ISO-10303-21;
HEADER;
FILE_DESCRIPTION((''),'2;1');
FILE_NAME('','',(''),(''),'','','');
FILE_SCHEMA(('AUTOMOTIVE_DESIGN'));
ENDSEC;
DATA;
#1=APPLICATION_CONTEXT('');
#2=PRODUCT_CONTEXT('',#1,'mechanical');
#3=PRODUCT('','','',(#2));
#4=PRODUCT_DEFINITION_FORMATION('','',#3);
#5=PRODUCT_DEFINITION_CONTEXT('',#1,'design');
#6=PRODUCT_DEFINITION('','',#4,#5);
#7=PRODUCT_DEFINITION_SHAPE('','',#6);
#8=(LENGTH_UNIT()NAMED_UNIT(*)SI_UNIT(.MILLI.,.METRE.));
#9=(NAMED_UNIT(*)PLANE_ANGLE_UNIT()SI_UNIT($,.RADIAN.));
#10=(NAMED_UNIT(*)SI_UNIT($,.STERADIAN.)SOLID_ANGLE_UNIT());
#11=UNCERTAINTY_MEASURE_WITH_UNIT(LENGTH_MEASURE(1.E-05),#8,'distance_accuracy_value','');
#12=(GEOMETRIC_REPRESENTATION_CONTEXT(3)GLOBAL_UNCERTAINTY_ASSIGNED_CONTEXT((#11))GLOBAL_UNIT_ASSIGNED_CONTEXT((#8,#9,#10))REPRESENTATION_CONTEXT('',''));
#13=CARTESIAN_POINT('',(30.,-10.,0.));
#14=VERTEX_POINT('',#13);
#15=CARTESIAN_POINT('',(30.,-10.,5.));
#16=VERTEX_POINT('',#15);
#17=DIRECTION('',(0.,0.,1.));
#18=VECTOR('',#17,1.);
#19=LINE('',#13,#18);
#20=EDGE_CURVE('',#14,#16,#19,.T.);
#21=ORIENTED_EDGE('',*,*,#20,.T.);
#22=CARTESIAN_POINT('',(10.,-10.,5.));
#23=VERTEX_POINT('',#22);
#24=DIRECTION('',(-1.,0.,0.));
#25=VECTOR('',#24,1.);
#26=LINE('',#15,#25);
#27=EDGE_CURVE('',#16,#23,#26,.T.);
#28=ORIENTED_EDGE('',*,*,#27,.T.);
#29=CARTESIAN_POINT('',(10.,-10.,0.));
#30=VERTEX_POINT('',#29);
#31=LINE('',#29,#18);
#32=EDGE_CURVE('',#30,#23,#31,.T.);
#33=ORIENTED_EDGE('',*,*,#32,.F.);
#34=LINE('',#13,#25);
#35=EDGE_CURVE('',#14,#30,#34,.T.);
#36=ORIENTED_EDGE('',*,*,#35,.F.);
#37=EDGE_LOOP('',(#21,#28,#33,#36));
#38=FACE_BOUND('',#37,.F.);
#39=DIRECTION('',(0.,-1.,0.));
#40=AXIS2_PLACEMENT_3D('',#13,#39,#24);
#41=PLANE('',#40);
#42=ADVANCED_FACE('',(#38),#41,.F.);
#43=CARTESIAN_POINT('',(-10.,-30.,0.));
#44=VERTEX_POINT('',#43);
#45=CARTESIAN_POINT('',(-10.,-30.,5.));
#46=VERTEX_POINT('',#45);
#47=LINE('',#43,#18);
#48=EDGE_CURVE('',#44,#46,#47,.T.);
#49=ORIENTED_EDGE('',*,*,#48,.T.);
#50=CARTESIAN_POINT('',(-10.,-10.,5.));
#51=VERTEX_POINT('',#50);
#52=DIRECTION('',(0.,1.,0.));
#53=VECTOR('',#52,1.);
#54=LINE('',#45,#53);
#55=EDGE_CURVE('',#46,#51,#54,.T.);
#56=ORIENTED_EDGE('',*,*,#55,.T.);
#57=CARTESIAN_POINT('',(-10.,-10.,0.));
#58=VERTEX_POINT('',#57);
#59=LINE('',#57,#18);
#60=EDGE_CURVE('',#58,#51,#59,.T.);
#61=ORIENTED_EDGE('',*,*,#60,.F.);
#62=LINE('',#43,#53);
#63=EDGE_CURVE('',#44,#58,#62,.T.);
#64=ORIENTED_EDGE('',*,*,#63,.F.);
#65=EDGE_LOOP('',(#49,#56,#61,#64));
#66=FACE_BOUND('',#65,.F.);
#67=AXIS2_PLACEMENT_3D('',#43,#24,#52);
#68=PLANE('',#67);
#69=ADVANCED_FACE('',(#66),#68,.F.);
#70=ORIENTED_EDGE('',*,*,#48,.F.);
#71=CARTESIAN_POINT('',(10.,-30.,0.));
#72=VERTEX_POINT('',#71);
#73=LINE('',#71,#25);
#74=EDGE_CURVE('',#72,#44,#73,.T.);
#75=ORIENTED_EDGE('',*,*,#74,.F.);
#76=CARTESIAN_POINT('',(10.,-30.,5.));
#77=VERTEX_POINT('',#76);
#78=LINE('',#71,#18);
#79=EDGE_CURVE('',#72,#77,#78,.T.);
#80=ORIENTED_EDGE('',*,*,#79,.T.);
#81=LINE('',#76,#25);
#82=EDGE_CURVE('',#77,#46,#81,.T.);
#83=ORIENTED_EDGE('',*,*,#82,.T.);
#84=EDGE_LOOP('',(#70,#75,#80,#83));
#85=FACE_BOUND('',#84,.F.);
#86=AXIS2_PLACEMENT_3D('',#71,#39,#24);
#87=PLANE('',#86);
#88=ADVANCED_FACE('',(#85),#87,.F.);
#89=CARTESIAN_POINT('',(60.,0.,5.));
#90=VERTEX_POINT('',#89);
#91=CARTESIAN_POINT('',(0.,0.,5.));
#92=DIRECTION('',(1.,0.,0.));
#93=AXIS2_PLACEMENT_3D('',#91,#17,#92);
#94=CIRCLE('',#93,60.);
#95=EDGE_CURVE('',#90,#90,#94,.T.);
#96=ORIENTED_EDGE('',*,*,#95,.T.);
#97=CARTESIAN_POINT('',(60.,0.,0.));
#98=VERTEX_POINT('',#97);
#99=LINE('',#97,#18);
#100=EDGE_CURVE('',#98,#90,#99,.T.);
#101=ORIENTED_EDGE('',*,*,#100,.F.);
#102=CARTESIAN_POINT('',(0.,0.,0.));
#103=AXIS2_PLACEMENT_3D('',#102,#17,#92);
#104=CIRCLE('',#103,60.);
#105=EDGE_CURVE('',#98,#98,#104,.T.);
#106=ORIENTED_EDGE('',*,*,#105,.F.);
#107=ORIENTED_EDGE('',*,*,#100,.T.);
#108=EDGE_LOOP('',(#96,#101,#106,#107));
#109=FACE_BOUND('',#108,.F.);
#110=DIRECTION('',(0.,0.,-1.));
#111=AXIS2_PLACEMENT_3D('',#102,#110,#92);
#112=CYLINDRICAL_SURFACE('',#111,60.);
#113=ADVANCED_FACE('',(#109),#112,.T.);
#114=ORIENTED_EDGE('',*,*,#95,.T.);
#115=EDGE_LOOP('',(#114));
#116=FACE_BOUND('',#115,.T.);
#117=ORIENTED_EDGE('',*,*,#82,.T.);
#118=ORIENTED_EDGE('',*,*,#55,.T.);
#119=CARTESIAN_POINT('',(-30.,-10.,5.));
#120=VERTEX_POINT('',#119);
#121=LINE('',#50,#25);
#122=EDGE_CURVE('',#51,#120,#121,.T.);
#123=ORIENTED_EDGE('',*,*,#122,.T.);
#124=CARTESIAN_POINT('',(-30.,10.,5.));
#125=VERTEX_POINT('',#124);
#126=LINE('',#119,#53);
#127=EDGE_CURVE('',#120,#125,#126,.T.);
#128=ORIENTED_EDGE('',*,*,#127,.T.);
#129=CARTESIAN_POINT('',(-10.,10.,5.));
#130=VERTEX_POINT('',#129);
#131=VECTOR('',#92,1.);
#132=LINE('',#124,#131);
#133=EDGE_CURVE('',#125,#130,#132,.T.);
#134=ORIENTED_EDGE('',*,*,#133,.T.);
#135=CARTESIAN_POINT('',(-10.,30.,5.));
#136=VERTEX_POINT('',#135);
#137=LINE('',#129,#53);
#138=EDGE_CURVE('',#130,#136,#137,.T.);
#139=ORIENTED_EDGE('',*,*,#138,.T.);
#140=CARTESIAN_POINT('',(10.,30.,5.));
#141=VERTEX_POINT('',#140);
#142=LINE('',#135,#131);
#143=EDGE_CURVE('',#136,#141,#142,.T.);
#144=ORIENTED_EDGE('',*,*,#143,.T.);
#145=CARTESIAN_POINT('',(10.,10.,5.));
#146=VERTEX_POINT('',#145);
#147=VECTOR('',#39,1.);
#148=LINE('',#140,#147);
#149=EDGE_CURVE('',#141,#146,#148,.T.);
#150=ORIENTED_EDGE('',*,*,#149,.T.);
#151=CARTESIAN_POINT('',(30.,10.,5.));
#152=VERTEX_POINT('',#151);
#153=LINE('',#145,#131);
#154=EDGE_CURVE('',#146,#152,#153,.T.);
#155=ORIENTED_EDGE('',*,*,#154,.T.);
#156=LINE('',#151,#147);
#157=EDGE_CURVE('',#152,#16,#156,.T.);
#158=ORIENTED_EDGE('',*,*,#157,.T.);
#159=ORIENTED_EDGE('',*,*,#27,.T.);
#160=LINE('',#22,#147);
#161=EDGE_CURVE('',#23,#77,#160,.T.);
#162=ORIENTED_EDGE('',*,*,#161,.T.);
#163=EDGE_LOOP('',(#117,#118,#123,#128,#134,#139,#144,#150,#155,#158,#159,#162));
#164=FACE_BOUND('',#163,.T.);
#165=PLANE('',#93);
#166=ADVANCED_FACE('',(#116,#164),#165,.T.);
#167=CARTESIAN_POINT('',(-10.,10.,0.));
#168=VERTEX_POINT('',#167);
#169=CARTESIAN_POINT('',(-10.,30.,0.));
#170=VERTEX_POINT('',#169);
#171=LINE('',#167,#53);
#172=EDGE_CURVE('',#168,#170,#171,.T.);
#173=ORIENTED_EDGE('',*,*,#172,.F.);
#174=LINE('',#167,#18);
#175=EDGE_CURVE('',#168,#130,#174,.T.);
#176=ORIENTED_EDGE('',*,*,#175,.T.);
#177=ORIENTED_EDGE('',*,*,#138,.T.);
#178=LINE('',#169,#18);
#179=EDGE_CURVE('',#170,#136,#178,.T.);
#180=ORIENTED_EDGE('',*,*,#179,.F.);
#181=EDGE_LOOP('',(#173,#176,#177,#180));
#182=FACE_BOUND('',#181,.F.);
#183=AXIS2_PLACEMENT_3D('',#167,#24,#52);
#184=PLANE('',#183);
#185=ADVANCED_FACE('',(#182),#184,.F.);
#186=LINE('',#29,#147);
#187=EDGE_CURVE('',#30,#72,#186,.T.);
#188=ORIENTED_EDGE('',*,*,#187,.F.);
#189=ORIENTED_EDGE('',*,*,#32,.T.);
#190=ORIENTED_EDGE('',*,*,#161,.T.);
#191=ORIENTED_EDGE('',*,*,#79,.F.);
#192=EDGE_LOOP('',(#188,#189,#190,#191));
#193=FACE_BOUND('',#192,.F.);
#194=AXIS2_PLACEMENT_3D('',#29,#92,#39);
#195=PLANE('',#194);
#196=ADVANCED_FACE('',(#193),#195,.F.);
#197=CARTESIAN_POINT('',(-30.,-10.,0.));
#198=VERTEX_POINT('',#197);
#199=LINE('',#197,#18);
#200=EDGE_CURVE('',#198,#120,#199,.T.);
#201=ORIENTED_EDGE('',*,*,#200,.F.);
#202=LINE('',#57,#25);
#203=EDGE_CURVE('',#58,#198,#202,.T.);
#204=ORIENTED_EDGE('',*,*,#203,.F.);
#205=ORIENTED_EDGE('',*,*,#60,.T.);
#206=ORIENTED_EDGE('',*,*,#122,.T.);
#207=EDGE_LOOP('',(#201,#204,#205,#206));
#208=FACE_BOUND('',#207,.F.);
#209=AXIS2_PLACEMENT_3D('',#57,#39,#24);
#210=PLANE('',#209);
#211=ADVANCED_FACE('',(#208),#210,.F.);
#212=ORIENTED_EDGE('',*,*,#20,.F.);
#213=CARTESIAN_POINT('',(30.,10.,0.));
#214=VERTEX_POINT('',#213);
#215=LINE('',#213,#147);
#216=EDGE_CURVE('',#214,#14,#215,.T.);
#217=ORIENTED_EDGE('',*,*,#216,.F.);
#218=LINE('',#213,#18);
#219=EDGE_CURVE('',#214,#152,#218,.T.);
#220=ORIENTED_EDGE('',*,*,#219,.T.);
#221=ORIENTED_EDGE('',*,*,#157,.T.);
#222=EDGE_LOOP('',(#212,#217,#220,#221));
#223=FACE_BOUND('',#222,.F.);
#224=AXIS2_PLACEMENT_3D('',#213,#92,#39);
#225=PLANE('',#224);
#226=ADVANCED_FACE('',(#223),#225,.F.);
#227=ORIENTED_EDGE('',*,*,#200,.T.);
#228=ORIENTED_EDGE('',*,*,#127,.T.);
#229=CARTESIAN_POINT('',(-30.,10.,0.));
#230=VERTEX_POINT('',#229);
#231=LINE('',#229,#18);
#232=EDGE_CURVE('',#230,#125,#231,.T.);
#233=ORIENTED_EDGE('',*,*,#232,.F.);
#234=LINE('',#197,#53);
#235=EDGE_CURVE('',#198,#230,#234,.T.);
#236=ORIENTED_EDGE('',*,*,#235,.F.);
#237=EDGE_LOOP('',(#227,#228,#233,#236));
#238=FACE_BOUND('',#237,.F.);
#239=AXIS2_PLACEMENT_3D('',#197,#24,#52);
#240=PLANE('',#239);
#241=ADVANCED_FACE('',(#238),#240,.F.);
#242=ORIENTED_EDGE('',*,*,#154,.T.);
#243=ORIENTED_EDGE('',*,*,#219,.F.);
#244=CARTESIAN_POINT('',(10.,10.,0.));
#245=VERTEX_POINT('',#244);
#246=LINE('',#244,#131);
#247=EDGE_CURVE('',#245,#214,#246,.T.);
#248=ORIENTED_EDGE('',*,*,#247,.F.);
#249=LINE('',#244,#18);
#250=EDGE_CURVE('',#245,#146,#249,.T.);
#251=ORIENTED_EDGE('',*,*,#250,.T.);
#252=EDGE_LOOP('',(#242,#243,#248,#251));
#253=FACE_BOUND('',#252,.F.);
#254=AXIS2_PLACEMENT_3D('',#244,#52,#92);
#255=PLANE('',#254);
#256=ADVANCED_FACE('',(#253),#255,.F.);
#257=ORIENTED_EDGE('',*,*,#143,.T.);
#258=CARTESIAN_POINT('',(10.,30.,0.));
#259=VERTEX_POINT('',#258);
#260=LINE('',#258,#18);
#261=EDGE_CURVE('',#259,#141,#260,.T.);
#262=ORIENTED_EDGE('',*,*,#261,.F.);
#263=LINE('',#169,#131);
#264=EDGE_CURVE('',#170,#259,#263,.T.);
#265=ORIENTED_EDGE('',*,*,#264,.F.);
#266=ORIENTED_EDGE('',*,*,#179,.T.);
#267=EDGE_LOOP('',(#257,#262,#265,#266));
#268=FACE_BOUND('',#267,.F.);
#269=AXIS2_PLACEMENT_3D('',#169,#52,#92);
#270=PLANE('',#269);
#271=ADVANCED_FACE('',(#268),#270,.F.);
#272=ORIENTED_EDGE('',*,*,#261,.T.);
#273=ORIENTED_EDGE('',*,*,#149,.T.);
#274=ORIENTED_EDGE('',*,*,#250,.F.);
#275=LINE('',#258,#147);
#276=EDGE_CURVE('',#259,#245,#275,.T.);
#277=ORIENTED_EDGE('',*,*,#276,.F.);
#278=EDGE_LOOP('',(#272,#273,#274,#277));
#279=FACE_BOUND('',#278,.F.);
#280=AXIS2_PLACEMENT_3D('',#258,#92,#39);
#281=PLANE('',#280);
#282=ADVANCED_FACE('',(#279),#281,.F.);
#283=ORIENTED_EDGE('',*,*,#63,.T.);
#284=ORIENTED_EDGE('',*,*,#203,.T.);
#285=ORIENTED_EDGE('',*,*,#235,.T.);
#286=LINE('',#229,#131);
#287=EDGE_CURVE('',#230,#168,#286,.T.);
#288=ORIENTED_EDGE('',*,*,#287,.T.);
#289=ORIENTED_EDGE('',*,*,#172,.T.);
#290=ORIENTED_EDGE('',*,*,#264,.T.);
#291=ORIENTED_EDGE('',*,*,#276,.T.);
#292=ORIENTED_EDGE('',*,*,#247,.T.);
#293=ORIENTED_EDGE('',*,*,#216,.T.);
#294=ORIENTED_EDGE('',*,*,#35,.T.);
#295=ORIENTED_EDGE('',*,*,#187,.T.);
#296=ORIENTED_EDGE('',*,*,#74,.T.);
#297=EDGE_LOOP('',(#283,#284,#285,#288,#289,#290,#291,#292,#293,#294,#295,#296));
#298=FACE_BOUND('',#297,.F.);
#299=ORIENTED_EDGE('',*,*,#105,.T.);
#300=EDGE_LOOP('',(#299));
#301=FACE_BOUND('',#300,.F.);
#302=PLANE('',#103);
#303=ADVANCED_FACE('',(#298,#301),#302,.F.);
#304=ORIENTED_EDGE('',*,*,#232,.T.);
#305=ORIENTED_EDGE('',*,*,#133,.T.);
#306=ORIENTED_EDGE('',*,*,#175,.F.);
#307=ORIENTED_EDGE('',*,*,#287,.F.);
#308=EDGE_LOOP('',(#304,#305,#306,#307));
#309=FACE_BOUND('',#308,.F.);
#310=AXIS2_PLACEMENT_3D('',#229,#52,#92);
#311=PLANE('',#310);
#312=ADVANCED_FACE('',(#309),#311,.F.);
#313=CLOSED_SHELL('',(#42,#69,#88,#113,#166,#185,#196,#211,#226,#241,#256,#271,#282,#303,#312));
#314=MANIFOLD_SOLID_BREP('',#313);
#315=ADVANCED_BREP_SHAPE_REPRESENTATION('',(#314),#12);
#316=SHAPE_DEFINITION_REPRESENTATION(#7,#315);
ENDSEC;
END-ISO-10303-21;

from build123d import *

# Parameters (mm, degrees)
F0_R     = 60
F1_DEPTH = 5


with BuildPart() as f1:
    # F0 (on Top) → F1 (new body)
    with BuildSketch(Plane.XY):
        Circle(F0_R)
        Polygon((-10, 30), (0, 30), (10, 30), (10, 10), (30, 10), (30, 0), (30, -10), (10, -10), (10, -30), (0, -30), (-10, -30), (-10, -10), (-30, -10), (-30, 0), (-30, 10), (-10, 10), align=None, mode=Mode.SUBTRACT)
    extrude(amount=F1_DEPTH)


solid = f1.part
